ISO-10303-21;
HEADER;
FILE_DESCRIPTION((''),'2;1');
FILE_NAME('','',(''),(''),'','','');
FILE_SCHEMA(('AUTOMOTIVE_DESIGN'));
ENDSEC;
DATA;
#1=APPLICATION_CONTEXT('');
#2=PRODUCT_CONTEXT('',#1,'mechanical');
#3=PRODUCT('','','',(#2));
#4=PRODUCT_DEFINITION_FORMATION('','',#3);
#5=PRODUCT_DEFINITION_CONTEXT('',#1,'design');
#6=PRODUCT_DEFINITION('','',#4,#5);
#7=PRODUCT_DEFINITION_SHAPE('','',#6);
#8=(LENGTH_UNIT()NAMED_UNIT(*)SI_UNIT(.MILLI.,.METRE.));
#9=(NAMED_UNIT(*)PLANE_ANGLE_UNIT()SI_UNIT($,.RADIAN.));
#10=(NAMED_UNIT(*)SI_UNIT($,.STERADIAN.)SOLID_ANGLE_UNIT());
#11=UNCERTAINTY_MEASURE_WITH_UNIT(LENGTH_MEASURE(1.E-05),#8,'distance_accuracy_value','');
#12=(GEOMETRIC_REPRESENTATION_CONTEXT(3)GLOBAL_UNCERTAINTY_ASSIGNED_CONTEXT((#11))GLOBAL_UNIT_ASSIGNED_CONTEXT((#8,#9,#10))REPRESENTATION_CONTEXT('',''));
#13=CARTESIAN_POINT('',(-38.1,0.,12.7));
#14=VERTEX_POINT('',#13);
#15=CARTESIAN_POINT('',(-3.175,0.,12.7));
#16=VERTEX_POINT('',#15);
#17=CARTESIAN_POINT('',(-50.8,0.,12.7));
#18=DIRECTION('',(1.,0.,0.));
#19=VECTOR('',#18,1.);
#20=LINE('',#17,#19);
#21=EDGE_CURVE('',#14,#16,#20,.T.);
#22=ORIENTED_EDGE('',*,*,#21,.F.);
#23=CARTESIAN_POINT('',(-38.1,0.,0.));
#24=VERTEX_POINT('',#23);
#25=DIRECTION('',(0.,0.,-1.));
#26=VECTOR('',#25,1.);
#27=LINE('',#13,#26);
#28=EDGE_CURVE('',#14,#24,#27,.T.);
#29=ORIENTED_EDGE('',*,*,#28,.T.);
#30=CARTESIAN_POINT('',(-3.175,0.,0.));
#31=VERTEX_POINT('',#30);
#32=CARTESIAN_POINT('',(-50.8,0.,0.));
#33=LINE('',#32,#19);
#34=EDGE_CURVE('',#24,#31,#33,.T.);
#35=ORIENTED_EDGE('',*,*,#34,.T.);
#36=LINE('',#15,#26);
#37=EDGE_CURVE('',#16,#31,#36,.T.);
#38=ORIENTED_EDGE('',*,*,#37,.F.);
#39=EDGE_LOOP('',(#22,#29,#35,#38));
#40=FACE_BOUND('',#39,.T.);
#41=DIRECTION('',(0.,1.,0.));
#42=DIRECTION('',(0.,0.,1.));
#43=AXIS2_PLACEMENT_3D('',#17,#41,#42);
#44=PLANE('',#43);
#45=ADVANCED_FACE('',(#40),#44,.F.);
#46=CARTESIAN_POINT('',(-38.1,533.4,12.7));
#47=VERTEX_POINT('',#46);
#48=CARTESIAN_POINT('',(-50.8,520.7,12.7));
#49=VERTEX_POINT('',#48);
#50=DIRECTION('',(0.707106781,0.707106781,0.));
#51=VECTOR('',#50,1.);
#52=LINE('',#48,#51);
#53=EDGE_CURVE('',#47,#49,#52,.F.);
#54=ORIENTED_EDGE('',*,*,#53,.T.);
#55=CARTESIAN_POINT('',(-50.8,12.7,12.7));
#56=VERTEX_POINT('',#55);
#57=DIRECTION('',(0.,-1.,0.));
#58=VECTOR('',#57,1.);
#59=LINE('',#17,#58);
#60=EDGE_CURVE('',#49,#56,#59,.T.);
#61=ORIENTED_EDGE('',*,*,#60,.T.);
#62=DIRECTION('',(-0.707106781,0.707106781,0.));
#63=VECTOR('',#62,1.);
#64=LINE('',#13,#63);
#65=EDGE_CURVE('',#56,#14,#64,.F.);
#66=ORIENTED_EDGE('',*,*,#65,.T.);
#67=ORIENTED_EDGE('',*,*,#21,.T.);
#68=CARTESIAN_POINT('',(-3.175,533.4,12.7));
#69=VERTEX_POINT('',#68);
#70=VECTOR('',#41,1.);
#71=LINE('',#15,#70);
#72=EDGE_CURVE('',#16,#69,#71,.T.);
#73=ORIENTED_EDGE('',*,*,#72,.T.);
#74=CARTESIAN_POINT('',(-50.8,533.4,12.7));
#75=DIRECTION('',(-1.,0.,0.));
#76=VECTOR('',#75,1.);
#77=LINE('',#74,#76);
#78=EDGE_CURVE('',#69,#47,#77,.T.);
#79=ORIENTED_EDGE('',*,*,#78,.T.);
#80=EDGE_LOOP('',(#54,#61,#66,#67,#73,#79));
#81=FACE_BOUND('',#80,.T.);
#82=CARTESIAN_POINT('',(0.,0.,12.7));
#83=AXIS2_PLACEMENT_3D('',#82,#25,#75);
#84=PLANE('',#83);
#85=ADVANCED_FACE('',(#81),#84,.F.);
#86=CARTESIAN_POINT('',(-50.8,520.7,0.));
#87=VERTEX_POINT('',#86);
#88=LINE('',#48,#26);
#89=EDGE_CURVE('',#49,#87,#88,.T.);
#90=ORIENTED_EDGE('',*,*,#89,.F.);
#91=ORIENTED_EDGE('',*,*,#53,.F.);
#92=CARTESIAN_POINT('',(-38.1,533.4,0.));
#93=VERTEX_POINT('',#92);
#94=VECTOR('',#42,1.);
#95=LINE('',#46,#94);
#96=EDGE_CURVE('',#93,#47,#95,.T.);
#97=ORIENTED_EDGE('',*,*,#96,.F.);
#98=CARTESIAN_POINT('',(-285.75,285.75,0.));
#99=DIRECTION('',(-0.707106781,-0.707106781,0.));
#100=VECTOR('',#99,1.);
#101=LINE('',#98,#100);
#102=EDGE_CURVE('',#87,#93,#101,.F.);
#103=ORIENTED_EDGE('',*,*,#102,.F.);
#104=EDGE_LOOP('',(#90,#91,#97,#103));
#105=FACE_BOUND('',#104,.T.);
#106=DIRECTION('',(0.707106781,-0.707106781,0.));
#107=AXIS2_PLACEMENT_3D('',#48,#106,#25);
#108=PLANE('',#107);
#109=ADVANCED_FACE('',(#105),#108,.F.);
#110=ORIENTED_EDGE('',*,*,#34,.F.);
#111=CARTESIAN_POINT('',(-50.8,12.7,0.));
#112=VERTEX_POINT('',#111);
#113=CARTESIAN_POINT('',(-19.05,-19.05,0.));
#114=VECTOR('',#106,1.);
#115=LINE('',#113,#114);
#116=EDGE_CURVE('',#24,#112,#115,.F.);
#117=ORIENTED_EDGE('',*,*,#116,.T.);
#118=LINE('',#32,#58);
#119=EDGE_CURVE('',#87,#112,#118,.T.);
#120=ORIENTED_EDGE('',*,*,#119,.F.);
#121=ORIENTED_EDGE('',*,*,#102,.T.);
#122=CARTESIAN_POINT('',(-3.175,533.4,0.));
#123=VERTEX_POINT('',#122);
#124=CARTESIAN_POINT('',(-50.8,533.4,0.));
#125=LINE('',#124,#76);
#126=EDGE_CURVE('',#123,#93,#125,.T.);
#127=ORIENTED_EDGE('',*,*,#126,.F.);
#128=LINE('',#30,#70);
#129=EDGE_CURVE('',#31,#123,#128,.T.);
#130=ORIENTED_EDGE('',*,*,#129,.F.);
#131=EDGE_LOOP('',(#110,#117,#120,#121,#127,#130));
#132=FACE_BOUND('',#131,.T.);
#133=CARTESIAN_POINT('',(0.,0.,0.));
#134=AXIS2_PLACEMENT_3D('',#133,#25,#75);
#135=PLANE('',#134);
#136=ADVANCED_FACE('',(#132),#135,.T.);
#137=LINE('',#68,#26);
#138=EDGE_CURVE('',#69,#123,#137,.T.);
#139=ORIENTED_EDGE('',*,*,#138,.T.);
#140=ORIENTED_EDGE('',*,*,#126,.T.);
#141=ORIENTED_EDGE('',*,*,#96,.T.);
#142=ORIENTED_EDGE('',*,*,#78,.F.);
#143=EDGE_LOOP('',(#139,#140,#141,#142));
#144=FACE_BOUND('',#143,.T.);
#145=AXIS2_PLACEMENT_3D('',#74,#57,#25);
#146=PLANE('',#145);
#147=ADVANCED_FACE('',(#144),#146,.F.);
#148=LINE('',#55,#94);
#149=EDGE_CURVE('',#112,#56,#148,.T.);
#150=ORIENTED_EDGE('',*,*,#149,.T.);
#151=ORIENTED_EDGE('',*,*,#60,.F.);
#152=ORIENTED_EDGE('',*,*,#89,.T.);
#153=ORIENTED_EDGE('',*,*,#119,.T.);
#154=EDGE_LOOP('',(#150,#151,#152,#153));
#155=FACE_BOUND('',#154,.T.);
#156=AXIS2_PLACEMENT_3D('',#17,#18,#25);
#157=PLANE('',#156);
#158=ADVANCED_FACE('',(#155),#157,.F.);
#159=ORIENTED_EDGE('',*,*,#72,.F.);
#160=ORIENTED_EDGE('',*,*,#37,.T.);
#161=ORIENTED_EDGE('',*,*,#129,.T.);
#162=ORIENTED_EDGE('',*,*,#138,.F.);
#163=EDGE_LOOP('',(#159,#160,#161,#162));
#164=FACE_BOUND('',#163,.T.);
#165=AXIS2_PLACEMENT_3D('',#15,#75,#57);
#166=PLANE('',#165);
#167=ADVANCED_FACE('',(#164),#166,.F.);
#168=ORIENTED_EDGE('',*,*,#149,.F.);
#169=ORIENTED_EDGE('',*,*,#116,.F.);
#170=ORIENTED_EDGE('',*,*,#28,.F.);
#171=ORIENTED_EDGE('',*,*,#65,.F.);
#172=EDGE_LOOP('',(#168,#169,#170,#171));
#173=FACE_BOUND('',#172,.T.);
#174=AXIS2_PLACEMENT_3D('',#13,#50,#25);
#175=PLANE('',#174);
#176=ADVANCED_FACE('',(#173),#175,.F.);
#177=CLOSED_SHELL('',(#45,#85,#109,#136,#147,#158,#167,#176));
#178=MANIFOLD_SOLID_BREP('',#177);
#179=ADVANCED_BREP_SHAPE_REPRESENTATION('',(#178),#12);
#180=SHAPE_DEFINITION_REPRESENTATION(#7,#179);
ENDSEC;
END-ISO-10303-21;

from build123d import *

# Parameters (mm, degrees)
SKETCH1_W           = 47.625
SKETCH1_H           = 533.4
BOSS_EXTRUDE1_DEPTH = 12.7
CHAMFER1_SIZE       = 12.7


with BuildPart() as part:
    # Sketch1 → Boss-Extrude1 (new body)
    with BuildSketch(Plane.XY):
        with Locations((-26.9875, 266.7)):
            Rectangle(SKETCH1_W, SKETCH1_H)
    extrude(amount=BOSS_EXTRUDE1_DEPTH)

    # Chamfer1
    chamfer1_edges = [part.edges().sort_by_distance(p)[0] for p in [
        (-50.8, 533.4, 6.35),
        (-50.8, 0, 6.35),
    ]]
    chamfer(chamfer1_edges, length=CHAMFER1_SIZE)


solid = part.part
